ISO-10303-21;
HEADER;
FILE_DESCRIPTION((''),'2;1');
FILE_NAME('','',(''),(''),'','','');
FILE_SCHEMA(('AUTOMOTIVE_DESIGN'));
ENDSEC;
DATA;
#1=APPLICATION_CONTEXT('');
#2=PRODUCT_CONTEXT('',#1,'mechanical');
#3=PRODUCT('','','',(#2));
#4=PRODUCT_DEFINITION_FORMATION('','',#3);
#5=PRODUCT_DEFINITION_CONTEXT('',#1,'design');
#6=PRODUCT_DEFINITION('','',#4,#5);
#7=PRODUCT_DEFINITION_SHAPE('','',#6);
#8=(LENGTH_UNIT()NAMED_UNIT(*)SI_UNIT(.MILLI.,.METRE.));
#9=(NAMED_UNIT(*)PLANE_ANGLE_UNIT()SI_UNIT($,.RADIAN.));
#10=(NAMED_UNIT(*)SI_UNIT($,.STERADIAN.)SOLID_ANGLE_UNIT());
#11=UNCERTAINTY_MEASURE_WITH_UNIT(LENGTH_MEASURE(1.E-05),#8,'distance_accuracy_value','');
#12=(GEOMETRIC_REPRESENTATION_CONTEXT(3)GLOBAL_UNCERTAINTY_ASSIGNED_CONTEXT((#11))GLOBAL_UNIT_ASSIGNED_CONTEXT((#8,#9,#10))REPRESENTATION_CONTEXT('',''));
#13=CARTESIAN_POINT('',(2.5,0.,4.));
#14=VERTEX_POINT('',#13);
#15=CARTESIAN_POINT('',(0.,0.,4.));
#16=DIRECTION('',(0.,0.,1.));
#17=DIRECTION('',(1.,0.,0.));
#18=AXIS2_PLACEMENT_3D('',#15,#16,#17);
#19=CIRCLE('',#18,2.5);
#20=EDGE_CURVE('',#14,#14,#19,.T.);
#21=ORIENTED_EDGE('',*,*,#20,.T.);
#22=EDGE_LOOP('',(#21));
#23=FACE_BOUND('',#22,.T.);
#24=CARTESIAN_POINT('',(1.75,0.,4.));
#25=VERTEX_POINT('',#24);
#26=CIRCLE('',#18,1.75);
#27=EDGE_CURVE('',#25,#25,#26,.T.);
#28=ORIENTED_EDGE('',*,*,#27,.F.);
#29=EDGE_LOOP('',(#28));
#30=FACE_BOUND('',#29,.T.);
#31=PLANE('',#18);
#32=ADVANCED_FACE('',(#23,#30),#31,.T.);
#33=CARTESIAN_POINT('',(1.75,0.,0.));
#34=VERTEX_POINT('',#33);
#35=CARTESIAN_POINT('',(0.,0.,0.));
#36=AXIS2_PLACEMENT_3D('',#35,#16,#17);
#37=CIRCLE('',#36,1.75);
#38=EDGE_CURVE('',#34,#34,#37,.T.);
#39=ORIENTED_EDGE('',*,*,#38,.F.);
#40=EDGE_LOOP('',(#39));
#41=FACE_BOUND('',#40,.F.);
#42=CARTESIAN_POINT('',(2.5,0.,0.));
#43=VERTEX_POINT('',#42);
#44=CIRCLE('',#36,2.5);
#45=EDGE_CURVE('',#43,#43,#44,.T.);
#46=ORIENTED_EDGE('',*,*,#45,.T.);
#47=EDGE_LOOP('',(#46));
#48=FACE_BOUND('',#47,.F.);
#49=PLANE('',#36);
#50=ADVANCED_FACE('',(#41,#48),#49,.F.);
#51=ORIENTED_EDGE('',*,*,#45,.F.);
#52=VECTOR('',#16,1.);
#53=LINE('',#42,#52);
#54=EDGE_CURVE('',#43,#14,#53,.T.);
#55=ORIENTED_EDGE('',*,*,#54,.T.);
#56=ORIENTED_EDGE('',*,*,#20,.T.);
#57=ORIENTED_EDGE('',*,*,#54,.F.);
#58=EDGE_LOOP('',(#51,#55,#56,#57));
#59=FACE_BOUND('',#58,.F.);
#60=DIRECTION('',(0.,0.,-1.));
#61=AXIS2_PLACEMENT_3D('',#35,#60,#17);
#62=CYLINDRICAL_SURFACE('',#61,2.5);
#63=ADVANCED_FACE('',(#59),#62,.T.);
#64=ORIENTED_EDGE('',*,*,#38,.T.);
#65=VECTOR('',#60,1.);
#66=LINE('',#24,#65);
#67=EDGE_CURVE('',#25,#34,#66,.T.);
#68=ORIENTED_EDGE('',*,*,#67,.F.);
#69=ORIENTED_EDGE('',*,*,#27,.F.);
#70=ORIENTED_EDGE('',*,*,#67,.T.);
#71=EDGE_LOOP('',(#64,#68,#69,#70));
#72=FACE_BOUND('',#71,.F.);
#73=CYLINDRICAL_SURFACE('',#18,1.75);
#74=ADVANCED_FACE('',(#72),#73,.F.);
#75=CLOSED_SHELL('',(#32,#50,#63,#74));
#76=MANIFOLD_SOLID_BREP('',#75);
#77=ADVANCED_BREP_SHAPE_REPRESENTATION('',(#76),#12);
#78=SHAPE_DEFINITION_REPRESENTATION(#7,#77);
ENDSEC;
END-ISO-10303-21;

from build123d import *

# Parameters (mm, degrees)
SKETCH_R     = 2.5
PAD_DEPTH    = 4
SKETCH001_R  = 1.75
POCKET_DEPTH = 5


with BuildPart() as part:
    # Sketch → Pad (new body)
    with BuildSketch(Plane.XY):
        Circle(SKETCH_R)
    extrude(amount=PAD_DEPTH)

    # Sketch001 (on Face3 of Pad) → Pocket (cut)
    with BuildSketch(Plane.XY.offset(4)):
        Circle(SKETCH001_R)
    extrude(amount=-POCKET_DEPTH, mode=Mode.SUBTRACT)


solid = part.part
